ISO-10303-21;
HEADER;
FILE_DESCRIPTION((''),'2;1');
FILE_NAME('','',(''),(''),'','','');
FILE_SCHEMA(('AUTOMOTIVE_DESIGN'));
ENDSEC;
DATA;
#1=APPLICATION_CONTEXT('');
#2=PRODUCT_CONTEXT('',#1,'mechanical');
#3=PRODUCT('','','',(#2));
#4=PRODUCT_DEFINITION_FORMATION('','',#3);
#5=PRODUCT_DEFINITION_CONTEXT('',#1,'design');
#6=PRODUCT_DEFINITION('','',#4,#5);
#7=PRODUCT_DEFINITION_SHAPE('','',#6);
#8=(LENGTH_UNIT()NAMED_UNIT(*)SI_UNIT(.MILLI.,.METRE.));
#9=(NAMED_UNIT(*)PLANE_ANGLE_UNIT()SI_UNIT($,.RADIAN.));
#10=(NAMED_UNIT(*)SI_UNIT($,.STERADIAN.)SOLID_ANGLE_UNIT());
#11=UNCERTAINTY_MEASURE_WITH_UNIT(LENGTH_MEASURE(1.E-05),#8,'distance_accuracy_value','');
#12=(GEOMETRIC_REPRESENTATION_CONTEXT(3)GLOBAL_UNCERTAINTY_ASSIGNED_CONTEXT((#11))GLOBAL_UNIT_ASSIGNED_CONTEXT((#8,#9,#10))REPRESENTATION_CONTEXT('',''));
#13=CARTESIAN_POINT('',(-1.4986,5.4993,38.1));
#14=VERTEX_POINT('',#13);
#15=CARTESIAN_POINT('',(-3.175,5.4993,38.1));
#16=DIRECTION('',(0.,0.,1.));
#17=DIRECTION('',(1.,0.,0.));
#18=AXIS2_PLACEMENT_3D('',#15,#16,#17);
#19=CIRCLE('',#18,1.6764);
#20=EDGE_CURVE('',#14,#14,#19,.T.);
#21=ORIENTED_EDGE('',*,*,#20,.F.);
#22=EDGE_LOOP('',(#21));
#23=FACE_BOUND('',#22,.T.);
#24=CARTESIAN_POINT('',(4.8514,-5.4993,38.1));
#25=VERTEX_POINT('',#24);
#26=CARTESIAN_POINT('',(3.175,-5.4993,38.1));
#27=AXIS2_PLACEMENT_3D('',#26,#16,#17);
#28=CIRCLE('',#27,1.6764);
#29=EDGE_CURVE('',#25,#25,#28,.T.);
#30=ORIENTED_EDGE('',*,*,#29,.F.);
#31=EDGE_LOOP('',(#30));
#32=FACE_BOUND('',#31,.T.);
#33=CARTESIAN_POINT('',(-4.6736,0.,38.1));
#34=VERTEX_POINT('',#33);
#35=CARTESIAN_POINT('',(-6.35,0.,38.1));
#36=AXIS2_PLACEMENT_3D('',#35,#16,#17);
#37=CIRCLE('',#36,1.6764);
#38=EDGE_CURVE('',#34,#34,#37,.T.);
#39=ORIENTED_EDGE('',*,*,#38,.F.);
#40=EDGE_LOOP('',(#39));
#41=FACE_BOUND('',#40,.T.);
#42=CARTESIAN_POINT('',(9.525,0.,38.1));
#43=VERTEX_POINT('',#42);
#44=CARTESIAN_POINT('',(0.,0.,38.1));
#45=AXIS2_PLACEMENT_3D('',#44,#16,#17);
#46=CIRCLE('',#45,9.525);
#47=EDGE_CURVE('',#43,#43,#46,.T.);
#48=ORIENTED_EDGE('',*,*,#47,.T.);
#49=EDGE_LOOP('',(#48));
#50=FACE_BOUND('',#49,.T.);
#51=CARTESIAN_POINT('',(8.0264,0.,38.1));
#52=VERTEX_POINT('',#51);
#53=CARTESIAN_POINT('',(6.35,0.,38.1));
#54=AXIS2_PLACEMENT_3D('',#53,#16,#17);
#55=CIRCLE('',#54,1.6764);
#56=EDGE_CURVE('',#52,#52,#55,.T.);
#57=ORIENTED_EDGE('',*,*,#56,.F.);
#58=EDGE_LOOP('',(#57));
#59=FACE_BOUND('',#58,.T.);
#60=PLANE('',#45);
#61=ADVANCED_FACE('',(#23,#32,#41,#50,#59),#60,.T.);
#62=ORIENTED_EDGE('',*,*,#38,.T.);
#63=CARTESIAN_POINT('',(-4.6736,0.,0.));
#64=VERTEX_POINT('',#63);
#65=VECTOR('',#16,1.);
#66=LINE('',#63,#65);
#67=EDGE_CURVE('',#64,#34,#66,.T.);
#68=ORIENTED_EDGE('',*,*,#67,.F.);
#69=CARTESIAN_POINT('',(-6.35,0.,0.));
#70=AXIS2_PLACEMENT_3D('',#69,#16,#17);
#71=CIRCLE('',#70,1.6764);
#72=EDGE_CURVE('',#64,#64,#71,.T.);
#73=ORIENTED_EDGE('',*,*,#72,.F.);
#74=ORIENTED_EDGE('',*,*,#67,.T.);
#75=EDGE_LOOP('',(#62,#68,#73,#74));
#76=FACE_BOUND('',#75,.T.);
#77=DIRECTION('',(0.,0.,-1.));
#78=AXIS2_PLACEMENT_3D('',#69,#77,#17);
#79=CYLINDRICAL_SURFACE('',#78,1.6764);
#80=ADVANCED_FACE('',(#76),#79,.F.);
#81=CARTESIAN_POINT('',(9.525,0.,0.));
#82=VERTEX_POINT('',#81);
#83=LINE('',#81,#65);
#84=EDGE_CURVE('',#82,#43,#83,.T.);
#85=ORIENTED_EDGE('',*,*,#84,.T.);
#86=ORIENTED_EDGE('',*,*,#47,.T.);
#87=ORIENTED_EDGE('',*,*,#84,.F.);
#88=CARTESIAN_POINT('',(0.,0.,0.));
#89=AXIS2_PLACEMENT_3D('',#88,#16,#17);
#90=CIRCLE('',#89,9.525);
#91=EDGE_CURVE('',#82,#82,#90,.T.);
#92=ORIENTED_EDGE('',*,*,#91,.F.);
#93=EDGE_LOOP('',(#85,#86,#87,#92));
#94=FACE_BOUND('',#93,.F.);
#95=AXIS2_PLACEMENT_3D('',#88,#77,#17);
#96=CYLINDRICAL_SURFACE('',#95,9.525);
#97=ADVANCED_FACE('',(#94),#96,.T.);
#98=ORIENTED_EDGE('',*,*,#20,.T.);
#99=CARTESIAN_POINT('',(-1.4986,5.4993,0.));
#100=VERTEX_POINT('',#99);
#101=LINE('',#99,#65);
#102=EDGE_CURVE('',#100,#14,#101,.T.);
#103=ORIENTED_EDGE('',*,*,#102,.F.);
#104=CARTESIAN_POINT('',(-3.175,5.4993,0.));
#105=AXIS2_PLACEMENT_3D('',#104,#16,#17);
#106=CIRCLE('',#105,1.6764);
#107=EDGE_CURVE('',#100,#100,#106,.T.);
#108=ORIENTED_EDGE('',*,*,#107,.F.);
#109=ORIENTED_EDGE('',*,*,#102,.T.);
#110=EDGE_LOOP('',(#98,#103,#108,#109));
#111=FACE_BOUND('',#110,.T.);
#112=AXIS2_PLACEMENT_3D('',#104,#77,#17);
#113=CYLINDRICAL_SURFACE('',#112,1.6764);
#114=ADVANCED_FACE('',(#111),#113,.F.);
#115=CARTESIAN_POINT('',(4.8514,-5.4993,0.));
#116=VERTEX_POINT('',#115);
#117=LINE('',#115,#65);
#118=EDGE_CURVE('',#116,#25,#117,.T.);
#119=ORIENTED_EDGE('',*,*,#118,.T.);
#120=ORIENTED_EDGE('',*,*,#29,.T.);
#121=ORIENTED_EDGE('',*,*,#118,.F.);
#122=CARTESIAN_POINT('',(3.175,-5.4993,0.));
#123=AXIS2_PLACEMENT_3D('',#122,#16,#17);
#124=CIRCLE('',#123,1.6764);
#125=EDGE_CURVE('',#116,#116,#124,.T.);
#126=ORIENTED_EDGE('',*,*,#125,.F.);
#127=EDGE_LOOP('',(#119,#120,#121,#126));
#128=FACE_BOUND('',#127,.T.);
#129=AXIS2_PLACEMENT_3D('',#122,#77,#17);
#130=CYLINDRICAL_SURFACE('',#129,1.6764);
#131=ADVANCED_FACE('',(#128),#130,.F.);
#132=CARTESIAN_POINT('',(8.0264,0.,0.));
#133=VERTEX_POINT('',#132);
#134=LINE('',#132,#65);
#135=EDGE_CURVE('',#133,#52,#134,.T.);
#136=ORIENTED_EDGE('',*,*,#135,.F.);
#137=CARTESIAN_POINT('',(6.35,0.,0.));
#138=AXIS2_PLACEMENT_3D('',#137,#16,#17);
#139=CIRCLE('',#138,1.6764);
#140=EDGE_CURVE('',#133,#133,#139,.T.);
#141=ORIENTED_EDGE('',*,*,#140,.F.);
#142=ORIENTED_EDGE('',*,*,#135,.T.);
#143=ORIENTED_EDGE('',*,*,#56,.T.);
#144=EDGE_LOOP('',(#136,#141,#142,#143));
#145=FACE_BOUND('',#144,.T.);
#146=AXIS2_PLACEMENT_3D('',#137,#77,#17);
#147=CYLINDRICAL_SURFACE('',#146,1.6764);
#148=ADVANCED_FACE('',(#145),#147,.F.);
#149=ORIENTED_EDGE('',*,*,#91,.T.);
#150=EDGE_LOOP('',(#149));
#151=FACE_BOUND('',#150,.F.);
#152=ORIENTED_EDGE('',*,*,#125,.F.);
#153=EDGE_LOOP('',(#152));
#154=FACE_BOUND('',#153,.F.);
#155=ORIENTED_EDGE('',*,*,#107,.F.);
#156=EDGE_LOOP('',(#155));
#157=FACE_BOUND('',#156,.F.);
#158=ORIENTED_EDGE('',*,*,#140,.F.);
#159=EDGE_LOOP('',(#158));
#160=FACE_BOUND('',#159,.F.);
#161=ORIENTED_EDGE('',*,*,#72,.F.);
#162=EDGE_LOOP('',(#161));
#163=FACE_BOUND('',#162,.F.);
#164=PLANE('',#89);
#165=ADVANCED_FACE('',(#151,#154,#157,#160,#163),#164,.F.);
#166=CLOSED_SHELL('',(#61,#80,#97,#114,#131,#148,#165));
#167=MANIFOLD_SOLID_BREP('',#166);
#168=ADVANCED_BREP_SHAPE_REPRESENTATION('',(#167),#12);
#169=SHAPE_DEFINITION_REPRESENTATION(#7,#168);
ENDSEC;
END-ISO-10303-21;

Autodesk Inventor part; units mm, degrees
ref_plane "YZ Plane" through (0, 0, 0) normal (1, 0, 0) x (0, 1, 0)
ref_plane "XZ Plane" through (0, 0, 0) normal (0, 1, 0) x (-1, 0, 0)
ref_plane "XY Plane" through (0, 0, 0) normal (0, 0, 1) x (1, 0, 0)
sketch "Sketch1" plane through (0, 0, 0) normal (0, 0, 1) x (1, 0, 0)
  circle A0 centre (3.175, -5.4993) radius 1.6764
  circle A1 centre (-3.175, 5.4993) radius 1.6764
  circle A2 centre (0, 0) radius 9.525
  circle A3 centre (-6.35, 0) radius 1.6764
  circle A4 centre (6.35, 0) radius 1.6764
  circle A5 centre (-6.35, 0) radius 1.6764
  circle A6 centre (6.35, 0) radius 1.6764
  point P0 (-9.525, 0)
  point P1 (9.525, 0)
  dimension "d69" = 3.3528
  dimension "d70" = 3.3528
  dimension "d75" = 3.3528
  dimension "d76" = 3.3528
  dimension "d77" = 3.3528
  dimension "d78" = 3.3528
extrude "Extrusion14" add sketch "Sketch1" along normal blind 38.1
properties part number "Crankshaft"
